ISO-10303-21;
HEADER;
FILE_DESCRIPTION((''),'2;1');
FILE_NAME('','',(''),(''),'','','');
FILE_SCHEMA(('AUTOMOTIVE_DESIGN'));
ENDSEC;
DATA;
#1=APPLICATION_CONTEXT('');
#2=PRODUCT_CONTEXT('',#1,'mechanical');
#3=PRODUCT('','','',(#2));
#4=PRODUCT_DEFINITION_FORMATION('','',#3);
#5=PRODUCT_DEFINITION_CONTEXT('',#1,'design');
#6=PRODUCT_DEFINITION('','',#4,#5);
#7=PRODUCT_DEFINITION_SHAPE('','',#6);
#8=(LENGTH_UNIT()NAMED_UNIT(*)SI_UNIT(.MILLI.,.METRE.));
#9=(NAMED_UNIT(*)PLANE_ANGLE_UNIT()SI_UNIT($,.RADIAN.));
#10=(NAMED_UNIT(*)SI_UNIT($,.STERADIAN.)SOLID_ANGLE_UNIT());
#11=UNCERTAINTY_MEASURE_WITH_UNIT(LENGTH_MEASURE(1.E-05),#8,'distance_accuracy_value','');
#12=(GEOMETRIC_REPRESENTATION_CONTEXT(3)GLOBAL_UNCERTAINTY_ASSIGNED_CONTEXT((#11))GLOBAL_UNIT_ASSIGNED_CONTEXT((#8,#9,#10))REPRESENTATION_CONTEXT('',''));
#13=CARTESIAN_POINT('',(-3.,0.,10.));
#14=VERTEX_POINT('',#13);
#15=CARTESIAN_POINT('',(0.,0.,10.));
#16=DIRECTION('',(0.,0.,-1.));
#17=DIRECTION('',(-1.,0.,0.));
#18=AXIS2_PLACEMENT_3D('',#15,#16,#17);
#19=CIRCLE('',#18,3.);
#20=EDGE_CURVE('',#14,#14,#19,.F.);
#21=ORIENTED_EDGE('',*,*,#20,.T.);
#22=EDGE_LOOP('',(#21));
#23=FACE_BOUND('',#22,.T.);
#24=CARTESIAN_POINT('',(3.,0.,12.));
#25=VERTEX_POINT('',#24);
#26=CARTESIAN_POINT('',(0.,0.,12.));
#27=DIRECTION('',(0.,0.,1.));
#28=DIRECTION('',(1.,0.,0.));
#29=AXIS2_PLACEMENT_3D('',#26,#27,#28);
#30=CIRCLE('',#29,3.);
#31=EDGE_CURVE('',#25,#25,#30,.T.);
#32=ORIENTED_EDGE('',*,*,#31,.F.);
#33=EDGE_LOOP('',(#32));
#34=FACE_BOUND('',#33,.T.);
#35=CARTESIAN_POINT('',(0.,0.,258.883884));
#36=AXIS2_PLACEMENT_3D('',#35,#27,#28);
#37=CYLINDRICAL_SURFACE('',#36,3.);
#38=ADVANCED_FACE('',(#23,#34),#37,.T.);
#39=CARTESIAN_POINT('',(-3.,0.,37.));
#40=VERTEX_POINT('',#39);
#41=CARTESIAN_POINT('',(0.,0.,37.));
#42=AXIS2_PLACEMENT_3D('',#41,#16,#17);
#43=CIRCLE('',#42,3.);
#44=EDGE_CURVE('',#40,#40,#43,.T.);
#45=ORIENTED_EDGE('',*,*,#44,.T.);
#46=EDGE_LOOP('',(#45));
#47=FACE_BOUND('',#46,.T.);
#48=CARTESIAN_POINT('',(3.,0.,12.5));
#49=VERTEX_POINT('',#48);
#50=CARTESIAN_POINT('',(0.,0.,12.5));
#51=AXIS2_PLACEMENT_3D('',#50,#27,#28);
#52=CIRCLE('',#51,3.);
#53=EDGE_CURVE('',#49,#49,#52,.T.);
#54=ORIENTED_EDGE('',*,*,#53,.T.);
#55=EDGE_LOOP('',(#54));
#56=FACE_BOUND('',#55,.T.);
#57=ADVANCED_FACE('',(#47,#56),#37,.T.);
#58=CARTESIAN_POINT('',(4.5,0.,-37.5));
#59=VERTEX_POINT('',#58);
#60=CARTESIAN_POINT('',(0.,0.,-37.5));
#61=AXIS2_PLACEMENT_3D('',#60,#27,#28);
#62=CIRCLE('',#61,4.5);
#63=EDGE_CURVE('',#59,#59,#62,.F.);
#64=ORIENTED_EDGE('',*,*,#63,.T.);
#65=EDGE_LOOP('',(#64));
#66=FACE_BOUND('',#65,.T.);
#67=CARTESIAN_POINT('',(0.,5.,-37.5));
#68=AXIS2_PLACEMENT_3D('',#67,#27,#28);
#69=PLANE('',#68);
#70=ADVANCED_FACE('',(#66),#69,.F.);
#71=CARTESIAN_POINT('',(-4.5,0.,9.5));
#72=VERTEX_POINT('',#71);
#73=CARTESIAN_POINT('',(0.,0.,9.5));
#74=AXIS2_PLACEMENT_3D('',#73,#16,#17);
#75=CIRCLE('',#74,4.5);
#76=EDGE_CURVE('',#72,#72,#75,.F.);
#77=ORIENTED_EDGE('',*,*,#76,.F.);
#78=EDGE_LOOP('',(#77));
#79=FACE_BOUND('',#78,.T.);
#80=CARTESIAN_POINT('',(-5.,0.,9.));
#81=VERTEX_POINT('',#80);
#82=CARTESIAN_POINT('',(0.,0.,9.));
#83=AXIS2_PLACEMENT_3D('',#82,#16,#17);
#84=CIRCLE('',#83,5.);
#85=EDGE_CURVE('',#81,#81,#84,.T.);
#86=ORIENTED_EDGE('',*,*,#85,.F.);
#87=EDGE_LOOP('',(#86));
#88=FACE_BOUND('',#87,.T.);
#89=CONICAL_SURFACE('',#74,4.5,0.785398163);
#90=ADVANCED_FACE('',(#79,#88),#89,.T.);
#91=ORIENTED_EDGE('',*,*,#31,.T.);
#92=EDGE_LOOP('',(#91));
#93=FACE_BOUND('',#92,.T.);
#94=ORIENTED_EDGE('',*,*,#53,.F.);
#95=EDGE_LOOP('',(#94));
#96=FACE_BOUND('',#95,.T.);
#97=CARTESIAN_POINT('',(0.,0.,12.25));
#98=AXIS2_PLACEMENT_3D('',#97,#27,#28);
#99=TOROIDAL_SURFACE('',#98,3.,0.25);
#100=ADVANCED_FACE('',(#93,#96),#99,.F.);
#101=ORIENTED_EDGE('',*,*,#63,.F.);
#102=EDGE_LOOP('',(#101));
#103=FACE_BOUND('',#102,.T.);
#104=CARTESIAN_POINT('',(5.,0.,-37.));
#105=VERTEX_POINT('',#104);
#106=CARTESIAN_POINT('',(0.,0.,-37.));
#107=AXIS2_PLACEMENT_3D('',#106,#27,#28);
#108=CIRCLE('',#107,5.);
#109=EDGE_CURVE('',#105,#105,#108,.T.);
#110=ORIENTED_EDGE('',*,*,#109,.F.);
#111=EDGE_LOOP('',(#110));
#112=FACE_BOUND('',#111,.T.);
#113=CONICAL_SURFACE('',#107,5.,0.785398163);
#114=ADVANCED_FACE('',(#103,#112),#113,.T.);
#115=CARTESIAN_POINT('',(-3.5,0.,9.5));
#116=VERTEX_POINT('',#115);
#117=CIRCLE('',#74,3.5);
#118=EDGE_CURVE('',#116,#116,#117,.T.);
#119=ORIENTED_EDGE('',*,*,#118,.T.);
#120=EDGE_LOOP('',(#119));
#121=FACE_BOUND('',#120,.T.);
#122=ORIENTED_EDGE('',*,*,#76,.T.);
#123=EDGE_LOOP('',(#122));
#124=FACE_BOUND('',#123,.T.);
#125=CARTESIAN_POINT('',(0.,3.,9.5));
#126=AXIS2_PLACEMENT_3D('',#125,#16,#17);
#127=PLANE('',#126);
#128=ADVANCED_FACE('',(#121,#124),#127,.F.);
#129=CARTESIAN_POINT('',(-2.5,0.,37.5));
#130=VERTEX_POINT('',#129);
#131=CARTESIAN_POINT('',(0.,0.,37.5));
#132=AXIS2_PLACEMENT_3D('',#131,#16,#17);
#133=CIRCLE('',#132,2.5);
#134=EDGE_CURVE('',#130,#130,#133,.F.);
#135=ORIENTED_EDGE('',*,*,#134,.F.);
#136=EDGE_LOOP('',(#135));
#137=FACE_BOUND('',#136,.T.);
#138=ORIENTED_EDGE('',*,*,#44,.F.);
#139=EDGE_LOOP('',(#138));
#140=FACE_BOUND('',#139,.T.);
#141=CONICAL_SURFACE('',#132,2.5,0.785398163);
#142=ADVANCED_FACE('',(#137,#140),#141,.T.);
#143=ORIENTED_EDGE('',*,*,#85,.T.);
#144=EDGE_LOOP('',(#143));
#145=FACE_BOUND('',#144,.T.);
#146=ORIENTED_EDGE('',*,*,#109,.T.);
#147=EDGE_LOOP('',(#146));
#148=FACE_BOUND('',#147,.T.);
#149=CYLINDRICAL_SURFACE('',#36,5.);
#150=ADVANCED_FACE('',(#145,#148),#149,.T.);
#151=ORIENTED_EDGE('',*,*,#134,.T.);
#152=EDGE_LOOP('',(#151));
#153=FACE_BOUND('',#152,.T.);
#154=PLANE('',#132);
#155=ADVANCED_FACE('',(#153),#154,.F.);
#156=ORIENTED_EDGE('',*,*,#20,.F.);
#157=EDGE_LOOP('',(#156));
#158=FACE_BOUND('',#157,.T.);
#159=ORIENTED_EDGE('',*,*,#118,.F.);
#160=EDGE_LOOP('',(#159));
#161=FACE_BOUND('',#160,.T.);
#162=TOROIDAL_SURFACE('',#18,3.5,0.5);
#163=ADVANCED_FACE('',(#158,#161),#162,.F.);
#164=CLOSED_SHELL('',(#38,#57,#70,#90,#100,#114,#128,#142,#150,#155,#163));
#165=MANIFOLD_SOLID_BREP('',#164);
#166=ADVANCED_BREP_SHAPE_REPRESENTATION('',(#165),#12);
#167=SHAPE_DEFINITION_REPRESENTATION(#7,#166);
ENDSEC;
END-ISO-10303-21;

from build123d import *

# Parameters (mm, degrees)
FILLET1_R     = 0.5
CHAMFER1_SIZE = 0.5


with BuildPart() as part:
    # Sketch1 → Revolve1 (revolve)
    with BuildSketch(Plane(origin=(0, 0, 0), x_dir=(0, 0, -1), z_dir=(1, 0, 0))):
        with BuildLine():
            Line((-37.5, 0), (37.5, 0))
            Line((37.5, 0), (37.5, 5))
            Line((37.5, 5), (-9.5, 5))
            Line((-9.5, 5), (-9.5, 3))
            Line((-9.5, 3), (-12, 3))
            ThreePointArc((-12, 3), (-12.25, 2.75), (-12.5, 3))
            Line((-12.5, 3), (-37.5, 3))
            Line((-37.5, 3), (-37.5, 0))
        make_face()
    revolve(axis=Axis((0, 0, 258.883884114), (0, 0, -1)))

    # Fillet1
    fillet1_edges = [part.edges().sort_by_distance(p)[0] for p in [
        (0, -3, 9.5),
    ]]
    fillet(fillet1_edges, radius=FILLET1_R)

    # Chamfer1
    chamfer1_edges = [part.edges().sort_by_distance(p)[0] for p in [
        (0, -5, -37.5),
        (0, -3, 37.5),
        (0, -5, 9.5),
    ]]
    chamfer(chamfer1_edges, length=CHAMFER1_SIZE)


solid = part.part
